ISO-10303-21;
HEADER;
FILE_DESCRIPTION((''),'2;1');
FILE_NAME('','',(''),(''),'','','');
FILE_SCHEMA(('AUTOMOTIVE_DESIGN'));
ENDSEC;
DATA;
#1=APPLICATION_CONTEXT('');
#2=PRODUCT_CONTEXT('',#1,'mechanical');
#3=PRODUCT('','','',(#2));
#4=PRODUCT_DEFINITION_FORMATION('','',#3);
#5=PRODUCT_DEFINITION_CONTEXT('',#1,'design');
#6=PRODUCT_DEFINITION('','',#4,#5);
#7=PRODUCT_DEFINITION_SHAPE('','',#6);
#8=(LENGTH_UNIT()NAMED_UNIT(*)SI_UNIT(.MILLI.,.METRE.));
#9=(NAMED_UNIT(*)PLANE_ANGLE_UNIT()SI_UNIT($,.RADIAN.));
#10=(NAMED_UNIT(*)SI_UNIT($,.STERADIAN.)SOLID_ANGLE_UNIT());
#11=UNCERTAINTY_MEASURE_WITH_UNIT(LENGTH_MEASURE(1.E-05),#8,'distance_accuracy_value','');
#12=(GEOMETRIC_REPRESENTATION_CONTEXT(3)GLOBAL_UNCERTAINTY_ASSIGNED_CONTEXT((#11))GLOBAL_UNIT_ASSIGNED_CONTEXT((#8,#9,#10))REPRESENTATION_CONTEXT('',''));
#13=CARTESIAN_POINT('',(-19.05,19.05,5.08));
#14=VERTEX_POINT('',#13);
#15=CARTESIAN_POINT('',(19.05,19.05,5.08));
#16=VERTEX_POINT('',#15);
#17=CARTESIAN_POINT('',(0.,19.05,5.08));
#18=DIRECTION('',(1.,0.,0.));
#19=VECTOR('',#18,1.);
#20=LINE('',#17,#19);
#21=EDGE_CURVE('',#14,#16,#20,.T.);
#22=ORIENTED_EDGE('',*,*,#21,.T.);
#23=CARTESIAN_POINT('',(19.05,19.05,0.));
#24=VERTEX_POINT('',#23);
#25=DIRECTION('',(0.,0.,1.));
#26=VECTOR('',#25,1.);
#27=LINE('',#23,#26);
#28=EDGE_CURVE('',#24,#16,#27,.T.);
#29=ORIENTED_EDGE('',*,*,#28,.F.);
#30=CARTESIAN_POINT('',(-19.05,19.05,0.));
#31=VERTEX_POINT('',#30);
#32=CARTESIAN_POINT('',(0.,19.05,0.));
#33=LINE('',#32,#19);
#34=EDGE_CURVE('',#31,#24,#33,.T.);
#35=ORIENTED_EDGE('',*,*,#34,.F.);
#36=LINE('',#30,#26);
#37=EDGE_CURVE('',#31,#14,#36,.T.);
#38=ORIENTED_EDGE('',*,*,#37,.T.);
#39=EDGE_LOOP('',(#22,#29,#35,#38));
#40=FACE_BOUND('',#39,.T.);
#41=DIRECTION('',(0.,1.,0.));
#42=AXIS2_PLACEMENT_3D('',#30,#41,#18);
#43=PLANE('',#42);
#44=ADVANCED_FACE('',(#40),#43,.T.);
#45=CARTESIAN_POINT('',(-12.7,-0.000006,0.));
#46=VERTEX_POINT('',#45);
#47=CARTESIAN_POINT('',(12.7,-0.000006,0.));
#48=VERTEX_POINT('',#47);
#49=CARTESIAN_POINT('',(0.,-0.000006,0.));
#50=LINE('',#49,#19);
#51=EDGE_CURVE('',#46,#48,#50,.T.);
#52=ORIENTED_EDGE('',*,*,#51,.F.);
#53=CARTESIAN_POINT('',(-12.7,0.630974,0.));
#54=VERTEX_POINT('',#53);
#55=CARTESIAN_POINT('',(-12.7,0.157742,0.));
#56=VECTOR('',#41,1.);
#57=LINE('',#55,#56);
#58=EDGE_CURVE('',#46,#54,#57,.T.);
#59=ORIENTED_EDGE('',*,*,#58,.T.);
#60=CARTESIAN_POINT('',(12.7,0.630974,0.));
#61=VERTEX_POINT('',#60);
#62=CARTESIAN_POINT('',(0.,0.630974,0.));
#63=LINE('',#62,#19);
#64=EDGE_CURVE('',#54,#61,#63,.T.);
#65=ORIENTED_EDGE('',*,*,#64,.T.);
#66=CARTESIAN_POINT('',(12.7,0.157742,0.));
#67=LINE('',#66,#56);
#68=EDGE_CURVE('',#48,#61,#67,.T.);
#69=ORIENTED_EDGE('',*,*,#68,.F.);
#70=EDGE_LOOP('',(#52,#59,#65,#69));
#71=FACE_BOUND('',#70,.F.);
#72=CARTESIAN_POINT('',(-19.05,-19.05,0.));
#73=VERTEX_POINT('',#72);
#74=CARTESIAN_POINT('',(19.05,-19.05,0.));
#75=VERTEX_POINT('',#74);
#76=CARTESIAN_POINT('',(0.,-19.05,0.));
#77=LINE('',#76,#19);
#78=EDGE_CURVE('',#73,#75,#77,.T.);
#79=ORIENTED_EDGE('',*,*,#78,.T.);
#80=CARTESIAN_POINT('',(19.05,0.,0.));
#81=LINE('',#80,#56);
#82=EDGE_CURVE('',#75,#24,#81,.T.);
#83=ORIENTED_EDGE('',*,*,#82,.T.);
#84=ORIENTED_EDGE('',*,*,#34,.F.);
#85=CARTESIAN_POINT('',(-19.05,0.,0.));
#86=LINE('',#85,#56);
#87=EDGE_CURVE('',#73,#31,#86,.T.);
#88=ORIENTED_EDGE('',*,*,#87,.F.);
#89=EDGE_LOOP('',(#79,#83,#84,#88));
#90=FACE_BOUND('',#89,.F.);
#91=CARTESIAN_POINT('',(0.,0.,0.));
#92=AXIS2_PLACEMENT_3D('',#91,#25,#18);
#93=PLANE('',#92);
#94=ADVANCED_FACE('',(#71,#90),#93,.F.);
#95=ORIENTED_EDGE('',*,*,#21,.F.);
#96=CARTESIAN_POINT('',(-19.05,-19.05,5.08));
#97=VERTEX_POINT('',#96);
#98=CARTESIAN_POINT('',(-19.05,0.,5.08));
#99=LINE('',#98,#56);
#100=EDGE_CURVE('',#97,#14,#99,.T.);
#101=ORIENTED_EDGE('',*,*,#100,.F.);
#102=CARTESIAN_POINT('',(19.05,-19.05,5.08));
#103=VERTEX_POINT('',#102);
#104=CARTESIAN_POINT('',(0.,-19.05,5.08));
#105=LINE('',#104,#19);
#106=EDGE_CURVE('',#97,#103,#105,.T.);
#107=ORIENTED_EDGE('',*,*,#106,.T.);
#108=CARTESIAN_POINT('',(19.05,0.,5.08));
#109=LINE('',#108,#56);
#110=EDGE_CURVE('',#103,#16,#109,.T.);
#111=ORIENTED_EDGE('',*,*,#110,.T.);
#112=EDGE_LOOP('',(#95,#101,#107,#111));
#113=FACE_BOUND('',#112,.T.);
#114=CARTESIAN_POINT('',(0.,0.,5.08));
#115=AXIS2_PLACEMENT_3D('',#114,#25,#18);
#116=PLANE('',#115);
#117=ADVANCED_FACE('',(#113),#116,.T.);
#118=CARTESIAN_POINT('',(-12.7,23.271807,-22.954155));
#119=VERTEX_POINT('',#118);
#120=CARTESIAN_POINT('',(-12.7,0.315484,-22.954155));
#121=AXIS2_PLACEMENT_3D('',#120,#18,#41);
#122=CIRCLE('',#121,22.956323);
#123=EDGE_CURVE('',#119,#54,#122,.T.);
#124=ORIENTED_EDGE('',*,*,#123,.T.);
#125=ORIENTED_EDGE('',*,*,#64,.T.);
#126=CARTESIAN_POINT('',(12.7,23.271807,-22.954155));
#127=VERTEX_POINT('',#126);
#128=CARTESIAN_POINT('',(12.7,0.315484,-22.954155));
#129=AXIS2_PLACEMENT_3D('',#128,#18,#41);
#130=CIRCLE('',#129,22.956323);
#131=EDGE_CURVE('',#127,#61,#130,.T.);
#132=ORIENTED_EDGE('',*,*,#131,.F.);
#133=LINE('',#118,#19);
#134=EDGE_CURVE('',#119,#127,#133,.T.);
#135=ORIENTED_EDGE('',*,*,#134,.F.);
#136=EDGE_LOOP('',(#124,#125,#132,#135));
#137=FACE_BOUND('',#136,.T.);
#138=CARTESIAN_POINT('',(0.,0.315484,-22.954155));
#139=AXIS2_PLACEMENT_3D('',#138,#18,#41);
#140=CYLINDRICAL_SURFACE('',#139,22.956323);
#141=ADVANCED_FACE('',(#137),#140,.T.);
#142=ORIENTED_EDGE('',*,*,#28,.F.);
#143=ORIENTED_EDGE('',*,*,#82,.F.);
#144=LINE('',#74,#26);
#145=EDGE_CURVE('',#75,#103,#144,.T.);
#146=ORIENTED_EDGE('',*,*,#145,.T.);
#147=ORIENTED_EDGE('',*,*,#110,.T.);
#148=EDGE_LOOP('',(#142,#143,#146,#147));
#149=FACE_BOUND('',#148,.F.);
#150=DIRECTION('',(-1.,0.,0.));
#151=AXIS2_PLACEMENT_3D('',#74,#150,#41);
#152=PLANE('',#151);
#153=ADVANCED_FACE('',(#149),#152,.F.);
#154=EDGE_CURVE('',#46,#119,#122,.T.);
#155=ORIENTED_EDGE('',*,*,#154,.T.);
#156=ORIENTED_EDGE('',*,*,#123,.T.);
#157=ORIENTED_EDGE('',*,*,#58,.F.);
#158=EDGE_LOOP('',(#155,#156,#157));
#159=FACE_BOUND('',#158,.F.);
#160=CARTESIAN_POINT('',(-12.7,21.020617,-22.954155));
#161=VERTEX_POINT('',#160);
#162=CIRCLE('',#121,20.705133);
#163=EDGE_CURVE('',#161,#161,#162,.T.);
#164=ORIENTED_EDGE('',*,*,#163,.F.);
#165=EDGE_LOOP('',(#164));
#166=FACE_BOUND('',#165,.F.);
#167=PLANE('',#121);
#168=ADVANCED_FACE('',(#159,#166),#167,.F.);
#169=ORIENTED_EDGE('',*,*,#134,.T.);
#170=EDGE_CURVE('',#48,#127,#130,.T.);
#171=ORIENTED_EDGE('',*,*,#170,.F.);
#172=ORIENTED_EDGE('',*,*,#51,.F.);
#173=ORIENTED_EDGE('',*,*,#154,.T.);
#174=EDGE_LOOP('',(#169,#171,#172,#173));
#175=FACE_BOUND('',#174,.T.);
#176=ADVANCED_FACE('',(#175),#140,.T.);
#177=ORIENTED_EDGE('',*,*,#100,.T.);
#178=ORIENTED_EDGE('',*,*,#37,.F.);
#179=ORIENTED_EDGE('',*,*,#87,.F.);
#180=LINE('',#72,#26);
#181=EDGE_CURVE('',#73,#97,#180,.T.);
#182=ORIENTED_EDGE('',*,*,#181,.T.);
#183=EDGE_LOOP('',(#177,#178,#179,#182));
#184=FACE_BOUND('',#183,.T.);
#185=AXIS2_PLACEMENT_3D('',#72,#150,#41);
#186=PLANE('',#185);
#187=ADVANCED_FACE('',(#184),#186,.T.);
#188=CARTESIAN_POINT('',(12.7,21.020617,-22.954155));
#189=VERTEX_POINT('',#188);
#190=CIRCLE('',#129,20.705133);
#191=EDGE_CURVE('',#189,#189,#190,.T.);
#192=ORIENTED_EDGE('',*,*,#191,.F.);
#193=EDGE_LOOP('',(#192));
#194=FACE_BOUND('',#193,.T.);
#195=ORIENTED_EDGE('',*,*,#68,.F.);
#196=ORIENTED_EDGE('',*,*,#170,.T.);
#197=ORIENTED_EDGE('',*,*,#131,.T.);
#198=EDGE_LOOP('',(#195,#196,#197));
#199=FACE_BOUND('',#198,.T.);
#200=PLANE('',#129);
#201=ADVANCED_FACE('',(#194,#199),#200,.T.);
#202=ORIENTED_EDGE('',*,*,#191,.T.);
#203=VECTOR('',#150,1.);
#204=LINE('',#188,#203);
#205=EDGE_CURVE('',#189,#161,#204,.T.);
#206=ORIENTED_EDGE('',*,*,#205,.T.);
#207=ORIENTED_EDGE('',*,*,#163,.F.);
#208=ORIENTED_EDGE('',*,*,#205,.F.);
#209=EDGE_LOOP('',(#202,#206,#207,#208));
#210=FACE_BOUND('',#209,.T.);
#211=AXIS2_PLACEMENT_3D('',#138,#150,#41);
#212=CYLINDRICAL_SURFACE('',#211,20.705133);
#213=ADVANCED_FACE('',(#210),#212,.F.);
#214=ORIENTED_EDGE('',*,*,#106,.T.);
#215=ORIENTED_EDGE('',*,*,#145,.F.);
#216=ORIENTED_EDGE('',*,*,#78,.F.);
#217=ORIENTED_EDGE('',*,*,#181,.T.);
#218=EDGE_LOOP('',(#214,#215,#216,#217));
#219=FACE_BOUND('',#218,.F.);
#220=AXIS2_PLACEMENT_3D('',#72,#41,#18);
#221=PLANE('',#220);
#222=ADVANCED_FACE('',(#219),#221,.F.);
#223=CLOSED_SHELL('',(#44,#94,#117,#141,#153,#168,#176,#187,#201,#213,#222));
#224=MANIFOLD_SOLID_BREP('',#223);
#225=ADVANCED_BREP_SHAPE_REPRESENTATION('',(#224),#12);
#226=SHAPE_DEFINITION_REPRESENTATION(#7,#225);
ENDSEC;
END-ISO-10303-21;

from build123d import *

# Parameters (mm, degrees)
F0_W     = 38.1
F0_H     = 38.1
F1_DEPTH = 5.08
F2_R     = 22.956323
F2_R_2   = 20.705133
F3_DEPTH = 12.7


with BuildPart() as f1:
    # F0 (on Top) → F1 (new body)
    with BuildSketch(Plane.XY):
        Rectangle(F0_W, F0_H)
    extrude(amount=F1_DEPTH)

    # F2 (on Right) → F3 (join, symmetric)
    with BuildSketch(Plane.YZ):
        with Locations((0.315484, -22.954155)):
            Circle(F2_R)
        with Locations((0.315484, -22.954155)):
            Circle(F2_R_2, mode=Mode.SUBTRACT)
    extrude(amount=F3_DEPTH, both=True)


solid = f1.part
